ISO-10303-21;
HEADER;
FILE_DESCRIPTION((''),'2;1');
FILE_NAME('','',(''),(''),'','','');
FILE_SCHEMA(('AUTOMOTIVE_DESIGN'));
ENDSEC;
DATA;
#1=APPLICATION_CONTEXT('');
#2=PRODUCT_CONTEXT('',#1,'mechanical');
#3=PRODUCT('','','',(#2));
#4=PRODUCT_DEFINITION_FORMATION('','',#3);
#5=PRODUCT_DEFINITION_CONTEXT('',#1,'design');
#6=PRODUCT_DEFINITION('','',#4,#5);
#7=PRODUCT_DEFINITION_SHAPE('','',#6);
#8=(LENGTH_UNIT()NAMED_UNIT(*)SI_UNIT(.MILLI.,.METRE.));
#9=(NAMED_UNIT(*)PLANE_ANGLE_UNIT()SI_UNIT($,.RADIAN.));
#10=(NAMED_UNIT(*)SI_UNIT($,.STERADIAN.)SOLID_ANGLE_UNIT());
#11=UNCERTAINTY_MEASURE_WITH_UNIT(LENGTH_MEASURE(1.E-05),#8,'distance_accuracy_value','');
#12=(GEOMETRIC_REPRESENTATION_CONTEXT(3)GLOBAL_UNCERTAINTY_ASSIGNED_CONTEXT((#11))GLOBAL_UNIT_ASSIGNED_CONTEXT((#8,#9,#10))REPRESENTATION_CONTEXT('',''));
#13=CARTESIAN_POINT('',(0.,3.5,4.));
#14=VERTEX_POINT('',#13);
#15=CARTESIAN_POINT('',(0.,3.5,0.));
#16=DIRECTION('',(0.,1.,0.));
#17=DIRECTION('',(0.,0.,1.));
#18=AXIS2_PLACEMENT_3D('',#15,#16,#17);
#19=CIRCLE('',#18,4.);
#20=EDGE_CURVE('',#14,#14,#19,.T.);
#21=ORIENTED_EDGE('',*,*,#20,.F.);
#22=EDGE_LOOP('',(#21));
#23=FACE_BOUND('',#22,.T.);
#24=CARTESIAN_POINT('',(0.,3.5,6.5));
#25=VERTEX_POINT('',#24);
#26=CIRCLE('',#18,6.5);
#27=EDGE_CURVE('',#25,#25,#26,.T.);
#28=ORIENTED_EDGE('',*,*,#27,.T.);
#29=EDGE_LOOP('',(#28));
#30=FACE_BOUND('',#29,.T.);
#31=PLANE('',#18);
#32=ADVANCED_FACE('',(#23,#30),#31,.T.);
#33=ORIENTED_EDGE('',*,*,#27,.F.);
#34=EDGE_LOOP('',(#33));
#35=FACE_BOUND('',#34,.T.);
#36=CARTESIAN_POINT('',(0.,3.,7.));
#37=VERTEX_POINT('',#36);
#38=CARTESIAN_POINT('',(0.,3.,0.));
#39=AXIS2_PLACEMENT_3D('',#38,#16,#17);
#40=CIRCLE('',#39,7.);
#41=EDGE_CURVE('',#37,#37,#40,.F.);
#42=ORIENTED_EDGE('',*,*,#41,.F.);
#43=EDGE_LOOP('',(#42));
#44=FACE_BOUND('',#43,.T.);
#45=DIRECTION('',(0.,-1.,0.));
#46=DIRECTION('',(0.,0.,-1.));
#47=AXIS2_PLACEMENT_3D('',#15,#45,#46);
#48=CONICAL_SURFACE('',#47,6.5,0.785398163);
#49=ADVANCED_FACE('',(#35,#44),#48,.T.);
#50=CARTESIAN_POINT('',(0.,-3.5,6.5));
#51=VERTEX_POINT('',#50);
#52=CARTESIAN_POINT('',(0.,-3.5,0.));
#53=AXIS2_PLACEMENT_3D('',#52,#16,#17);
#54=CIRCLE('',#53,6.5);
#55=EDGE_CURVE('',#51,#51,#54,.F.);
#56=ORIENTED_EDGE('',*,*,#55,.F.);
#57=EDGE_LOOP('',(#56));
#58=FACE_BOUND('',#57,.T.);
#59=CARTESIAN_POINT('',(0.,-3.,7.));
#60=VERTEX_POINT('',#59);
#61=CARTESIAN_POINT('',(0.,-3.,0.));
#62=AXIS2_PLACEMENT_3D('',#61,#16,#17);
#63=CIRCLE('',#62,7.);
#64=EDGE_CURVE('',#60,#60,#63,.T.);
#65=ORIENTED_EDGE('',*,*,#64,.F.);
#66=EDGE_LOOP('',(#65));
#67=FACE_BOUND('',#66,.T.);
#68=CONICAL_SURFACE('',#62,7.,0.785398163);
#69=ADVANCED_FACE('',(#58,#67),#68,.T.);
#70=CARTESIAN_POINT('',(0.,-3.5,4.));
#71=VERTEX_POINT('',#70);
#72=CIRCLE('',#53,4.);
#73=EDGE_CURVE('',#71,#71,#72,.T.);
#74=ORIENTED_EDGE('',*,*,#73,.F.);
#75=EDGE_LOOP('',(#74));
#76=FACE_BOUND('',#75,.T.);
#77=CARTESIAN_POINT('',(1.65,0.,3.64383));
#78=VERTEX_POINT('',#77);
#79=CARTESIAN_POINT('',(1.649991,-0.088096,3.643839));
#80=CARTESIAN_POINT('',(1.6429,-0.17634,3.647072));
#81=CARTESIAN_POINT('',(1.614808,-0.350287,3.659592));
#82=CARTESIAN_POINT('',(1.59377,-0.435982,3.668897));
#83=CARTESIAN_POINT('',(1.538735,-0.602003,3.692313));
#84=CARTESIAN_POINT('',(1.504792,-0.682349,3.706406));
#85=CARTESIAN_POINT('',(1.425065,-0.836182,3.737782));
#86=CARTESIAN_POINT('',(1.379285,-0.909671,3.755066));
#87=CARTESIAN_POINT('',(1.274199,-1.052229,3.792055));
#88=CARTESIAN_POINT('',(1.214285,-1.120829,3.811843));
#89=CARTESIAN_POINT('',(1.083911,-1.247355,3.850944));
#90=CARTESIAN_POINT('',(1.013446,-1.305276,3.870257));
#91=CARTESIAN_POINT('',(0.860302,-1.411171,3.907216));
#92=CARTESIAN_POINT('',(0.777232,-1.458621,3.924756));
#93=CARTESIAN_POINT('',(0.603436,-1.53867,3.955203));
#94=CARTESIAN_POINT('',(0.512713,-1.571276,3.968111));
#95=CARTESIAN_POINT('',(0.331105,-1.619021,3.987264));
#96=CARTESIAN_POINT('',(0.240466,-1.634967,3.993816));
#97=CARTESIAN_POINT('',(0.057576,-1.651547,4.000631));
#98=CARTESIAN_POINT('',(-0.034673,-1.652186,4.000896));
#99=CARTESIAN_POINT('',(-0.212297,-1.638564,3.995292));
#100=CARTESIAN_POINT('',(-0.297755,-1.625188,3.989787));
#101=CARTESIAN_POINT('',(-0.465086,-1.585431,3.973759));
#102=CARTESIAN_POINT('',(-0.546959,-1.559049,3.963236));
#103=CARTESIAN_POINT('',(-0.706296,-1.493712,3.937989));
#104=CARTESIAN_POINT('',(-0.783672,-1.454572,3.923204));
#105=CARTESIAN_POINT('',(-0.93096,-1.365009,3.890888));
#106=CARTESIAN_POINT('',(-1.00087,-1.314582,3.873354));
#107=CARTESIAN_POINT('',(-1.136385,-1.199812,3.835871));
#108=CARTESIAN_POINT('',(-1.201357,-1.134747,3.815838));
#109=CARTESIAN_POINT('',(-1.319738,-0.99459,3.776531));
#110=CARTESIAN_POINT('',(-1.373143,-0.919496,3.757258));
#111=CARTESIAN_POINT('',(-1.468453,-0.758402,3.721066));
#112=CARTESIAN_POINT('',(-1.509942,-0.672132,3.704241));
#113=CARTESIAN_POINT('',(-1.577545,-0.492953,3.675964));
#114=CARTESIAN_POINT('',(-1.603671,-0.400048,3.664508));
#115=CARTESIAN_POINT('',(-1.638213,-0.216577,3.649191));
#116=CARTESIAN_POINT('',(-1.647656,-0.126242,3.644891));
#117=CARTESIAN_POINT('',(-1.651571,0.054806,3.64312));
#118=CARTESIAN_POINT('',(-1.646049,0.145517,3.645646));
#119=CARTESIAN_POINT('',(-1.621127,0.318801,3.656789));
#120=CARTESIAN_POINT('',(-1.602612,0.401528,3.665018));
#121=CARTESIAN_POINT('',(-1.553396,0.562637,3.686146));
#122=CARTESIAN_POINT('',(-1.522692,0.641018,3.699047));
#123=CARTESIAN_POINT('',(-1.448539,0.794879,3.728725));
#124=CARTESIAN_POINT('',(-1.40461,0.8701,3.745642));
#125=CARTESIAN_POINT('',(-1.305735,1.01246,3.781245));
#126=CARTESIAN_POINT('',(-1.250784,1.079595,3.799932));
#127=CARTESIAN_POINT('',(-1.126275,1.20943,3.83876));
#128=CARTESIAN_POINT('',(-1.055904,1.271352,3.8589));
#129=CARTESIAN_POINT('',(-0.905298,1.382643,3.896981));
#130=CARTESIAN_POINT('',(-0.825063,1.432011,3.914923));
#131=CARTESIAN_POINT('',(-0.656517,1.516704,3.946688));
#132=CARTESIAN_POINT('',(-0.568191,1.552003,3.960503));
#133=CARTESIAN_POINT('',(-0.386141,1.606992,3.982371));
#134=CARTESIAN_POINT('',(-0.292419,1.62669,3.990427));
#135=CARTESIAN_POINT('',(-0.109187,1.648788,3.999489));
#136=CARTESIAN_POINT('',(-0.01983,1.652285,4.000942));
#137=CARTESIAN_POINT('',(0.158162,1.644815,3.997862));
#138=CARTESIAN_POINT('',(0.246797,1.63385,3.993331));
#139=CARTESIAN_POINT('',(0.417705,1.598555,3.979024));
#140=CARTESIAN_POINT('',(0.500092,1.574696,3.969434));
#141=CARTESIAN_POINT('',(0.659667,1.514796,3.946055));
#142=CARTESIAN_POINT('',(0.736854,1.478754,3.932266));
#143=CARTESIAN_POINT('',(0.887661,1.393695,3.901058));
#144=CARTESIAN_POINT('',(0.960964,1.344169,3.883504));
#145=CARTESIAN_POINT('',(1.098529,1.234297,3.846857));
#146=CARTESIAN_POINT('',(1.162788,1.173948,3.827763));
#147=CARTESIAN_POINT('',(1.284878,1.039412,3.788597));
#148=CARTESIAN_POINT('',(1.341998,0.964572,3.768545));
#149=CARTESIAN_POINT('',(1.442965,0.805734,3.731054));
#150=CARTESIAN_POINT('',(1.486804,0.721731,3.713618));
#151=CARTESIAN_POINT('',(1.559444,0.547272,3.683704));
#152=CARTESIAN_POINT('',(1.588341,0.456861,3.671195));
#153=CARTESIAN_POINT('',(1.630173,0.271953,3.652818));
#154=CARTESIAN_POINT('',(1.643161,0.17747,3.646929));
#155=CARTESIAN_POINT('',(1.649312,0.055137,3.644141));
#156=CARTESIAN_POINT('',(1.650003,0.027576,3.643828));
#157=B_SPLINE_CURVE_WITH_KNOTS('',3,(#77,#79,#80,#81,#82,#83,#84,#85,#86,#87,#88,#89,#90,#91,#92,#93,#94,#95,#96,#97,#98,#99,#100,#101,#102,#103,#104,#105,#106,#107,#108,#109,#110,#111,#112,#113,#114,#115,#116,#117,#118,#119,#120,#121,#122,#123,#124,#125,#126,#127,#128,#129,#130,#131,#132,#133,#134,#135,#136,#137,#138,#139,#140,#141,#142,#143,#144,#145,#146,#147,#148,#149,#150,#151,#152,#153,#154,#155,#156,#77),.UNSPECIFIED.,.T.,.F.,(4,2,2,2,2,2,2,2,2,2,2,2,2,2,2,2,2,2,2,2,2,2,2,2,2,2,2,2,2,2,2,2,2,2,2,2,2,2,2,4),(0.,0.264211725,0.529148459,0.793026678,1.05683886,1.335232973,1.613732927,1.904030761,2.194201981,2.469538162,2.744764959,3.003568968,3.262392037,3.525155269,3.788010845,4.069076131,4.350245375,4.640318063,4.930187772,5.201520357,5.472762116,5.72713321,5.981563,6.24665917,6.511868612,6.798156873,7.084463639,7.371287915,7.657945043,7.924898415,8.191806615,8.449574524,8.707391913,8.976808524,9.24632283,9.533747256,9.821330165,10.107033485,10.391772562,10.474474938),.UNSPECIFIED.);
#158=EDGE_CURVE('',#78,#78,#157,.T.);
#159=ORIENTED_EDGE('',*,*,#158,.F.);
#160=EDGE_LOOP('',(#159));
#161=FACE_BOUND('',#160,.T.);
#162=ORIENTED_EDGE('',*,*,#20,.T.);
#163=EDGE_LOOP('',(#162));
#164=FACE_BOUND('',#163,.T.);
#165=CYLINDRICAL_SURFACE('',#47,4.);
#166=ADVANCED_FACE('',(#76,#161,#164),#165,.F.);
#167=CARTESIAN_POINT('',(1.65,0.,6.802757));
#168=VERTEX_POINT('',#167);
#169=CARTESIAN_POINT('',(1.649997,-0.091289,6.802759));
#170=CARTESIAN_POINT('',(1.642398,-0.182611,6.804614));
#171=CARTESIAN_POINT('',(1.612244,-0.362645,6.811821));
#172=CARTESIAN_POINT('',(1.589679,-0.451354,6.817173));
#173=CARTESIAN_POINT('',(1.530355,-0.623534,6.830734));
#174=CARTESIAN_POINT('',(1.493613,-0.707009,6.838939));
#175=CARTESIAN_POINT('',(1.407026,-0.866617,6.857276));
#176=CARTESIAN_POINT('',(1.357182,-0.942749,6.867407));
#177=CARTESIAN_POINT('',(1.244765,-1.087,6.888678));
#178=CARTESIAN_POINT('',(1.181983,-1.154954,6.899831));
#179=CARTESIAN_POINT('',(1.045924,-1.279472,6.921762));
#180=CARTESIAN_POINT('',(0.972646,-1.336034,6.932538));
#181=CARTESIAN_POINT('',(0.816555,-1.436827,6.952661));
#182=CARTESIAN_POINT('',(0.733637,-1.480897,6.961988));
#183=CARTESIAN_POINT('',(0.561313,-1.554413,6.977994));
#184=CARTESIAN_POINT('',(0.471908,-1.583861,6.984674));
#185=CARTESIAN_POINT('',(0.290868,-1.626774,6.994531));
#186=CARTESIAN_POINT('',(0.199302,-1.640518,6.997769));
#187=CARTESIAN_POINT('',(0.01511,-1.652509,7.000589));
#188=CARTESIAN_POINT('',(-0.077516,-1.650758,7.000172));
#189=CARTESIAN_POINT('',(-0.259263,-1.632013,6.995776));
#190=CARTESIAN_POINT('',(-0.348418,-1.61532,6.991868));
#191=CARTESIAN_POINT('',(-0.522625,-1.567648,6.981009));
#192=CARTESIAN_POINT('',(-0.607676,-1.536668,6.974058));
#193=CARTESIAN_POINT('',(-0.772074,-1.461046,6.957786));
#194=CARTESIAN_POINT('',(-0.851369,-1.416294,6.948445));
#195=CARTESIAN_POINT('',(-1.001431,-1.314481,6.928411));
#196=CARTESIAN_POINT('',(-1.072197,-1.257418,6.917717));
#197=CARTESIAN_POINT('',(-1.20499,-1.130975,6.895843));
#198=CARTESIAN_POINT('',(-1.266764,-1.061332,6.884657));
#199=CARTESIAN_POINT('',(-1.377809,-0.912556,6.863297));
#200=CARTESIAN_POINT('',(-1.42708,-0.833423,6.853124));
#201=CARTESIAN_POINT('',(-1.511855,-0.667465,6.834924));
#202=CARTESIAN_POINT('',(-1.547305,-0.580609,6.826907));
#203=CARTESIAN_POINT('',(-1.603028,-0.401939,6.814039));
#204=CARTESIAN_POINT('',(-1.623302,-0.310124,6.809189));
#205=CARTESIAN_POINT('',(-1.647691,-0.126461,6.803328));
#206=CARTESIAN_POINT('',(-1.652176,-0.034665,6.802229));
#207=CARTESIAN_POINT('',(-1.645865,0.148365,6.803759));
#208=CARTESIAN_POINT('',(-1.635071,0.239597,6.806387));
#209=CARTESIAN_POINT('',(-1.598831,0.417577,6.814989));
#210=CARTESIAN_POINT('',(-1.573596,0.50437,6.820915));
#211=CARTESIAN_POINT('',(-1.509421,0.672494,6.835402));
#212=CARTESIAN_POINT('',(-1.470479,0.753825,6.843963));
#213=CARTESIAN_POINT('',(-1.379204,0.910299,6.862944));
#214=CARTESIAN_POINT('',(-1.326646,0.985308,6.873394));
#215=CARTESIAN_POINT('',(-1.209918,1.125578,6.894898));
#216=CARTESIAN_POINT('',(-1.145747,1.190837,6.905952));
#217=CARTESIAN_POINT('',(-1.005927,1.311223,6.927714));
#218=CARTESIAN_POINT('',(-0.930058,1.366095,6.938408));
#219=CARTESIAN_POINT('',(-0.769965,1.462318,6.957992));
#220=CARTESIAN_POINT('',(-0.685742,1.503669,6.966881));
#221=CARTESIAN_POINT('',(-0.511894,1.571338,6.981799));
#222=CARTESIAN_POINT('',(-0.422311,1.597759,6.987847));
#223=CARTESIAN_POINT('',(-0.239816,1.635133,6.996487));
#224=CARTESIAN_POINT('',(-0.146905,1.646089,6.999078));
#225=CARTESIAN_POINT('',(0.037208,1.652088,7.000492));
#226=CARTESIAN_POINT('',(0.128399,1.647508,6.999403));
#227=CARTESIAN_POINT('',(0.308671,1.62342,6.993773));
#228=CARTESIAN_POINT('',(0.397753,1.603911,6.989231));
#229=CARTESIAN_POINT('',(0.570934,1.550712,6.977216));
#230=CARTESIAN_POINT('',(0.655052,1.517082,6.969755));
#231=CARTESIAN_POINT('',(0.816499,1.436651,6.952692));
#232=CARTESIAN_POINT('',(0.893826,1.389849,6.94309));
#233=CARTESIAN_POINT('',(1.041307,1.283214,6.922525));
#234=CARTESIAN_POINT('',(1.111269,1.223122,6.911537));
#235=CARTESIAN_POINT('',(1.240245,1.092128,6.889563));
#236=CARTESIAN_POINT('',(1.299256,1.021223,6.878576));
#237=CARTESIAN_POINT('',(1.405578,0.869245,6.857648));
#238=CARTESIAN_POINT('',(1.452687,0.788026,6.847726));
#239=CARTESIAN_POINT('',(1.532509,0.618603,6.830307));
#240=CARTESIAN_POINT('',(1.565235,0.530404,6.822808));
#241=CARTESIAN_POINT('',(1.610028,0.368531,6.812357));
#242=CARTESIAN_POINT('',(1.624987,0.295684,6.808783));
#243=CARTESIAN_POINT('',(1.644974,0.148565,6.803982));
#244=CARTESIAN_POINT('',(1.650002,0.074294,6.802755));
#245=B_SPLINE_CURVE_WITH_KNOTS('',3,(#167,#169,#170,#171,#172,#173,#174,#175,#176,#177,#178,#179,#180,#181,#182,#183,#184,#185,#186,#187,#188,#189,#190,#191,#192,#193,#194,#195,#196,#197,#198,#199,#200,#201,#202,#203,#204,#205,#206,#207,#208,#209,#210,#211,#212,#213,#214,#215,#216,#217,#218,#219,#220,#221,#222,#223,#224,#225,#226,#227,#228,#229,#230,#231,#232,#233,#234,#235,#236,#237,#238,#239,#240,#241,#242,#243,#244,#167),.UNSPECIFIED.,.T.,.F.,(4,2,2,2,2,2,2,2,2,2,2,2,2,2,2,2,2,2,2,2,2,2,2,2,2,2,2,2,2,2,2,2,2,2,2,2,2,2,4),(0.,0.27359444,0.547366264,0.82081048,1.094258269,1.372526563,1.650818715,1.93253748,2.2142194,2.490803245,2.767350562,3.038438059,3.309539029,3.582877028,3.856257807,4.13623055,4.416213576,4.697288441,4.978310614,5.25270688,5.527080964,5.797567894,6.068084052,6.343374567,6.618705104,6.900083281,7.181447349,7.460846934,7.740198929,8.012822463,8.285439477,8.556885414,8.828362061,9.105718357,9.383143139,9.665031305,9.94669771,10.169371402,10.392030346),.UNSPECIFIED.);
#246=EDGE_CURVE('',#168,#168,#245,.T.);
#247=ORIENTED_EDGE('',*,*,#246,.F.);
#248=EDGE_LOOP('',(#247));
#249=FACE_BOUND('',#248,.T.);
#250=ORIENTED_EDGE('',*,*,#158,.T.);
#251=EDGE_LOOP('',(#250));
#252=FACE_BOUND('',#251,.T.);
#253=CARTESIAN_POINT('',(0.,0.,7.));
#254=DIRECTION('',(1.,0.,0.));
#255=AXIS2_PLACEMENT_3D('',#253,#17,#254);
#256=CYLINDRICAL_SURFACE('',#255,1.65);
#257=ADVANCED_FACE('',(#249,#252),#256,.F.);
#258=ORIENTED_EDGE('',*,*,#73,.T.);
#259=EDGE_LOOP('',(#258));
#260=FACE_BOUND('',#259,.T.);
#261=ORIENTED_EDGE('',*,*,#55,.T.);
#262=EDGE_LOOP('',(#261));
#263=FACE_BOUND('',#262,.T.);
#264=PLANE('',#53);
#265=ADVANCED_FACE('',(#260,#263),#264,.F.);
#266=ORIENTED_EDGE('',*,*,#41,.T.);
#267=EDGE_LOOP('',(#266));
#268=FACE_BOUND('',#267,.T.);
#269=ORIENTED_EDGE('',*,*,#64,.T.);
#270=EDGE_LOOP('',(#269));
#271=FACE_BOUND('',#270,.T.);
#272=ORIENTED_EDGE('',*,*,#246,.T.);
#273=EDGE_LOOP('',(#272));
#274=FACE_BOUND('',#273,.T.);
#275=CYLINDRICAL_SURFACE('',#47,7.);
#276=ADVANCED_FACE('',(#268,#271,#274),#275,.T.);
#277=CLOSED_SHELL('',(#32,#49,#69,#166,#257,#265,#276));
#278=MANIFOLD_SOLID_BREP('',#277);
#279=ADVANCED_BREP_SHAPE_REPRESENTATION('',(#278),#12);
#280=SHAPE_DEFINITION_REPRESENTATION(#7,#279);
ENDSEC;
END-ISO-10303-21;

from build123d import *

# Parameters (mm, degrees)
SKETCH1_R                  = 7
SKETCH1_R_2                = 4
BOSS_EXTRUDE1_DEPTH        = 3.5
M4X0_7_TAPPED_HOLE1_REACH  = 18.039
M4X0_7_TAPPED_HOLE1_BORE_R = 1.65
CHAMFER1_SIZE              = 0.5


with BuildPart() as part:
    # Sketch1 → Boss-Extrude1 (new, symmetric)
    with BuildSketch(Plane(origin=(0, 0, 0), x_dir=(1, 0, 0), z_dir=(0, 1, 0))):
        with Locations(Location((0, 0, 0), (0, 0, 270))):
            Circle(SKETCH1_R)
        with Locations(Location((0, 0, 0), (0, 0, 270))):
            Circle(SKETCH1_R_2, mode=Mode.SUBTRACT)
    extrude(amount=BOSS_EXTRUDE1_DEPTH, both=True)

    # M4x0.7 Tapped Hole1 bore → M4x0.7 Tapped Hole1 (cut, up to next)
    with BuildSketch(Plane.XY.offset(7), mode=Mode.PRIVATE) as m4x0_7_tapped_hole1_sk1:
        Circle(M4X0_7_TAPPED_HOLE1_BORE_R)
    m4x0_7_tapped_hole1_tool1 = extrude(m4x0_7_tapped_hole1_sk1.sketch, amount=-M4X0_7_TAPPED_HOLE1_REACH, mode=Mode.PRIVATE) & part.part
    add(m4x0_7_tapped_hole1_tool1.solids().sort_by_distance((0, 0, 7))[0], mode=Mode.SUBTRACT)

    # Chamfer1
    chamfer1_edges = [part.edges().sort_by_distance(p)[0] for p in [
        (0, -3.5, -7),
        (0, 3.5, -7),
    ]]
    chamfer(chamfer1_edges, length=CHAMFER1_SIZE)


solid = part.part
